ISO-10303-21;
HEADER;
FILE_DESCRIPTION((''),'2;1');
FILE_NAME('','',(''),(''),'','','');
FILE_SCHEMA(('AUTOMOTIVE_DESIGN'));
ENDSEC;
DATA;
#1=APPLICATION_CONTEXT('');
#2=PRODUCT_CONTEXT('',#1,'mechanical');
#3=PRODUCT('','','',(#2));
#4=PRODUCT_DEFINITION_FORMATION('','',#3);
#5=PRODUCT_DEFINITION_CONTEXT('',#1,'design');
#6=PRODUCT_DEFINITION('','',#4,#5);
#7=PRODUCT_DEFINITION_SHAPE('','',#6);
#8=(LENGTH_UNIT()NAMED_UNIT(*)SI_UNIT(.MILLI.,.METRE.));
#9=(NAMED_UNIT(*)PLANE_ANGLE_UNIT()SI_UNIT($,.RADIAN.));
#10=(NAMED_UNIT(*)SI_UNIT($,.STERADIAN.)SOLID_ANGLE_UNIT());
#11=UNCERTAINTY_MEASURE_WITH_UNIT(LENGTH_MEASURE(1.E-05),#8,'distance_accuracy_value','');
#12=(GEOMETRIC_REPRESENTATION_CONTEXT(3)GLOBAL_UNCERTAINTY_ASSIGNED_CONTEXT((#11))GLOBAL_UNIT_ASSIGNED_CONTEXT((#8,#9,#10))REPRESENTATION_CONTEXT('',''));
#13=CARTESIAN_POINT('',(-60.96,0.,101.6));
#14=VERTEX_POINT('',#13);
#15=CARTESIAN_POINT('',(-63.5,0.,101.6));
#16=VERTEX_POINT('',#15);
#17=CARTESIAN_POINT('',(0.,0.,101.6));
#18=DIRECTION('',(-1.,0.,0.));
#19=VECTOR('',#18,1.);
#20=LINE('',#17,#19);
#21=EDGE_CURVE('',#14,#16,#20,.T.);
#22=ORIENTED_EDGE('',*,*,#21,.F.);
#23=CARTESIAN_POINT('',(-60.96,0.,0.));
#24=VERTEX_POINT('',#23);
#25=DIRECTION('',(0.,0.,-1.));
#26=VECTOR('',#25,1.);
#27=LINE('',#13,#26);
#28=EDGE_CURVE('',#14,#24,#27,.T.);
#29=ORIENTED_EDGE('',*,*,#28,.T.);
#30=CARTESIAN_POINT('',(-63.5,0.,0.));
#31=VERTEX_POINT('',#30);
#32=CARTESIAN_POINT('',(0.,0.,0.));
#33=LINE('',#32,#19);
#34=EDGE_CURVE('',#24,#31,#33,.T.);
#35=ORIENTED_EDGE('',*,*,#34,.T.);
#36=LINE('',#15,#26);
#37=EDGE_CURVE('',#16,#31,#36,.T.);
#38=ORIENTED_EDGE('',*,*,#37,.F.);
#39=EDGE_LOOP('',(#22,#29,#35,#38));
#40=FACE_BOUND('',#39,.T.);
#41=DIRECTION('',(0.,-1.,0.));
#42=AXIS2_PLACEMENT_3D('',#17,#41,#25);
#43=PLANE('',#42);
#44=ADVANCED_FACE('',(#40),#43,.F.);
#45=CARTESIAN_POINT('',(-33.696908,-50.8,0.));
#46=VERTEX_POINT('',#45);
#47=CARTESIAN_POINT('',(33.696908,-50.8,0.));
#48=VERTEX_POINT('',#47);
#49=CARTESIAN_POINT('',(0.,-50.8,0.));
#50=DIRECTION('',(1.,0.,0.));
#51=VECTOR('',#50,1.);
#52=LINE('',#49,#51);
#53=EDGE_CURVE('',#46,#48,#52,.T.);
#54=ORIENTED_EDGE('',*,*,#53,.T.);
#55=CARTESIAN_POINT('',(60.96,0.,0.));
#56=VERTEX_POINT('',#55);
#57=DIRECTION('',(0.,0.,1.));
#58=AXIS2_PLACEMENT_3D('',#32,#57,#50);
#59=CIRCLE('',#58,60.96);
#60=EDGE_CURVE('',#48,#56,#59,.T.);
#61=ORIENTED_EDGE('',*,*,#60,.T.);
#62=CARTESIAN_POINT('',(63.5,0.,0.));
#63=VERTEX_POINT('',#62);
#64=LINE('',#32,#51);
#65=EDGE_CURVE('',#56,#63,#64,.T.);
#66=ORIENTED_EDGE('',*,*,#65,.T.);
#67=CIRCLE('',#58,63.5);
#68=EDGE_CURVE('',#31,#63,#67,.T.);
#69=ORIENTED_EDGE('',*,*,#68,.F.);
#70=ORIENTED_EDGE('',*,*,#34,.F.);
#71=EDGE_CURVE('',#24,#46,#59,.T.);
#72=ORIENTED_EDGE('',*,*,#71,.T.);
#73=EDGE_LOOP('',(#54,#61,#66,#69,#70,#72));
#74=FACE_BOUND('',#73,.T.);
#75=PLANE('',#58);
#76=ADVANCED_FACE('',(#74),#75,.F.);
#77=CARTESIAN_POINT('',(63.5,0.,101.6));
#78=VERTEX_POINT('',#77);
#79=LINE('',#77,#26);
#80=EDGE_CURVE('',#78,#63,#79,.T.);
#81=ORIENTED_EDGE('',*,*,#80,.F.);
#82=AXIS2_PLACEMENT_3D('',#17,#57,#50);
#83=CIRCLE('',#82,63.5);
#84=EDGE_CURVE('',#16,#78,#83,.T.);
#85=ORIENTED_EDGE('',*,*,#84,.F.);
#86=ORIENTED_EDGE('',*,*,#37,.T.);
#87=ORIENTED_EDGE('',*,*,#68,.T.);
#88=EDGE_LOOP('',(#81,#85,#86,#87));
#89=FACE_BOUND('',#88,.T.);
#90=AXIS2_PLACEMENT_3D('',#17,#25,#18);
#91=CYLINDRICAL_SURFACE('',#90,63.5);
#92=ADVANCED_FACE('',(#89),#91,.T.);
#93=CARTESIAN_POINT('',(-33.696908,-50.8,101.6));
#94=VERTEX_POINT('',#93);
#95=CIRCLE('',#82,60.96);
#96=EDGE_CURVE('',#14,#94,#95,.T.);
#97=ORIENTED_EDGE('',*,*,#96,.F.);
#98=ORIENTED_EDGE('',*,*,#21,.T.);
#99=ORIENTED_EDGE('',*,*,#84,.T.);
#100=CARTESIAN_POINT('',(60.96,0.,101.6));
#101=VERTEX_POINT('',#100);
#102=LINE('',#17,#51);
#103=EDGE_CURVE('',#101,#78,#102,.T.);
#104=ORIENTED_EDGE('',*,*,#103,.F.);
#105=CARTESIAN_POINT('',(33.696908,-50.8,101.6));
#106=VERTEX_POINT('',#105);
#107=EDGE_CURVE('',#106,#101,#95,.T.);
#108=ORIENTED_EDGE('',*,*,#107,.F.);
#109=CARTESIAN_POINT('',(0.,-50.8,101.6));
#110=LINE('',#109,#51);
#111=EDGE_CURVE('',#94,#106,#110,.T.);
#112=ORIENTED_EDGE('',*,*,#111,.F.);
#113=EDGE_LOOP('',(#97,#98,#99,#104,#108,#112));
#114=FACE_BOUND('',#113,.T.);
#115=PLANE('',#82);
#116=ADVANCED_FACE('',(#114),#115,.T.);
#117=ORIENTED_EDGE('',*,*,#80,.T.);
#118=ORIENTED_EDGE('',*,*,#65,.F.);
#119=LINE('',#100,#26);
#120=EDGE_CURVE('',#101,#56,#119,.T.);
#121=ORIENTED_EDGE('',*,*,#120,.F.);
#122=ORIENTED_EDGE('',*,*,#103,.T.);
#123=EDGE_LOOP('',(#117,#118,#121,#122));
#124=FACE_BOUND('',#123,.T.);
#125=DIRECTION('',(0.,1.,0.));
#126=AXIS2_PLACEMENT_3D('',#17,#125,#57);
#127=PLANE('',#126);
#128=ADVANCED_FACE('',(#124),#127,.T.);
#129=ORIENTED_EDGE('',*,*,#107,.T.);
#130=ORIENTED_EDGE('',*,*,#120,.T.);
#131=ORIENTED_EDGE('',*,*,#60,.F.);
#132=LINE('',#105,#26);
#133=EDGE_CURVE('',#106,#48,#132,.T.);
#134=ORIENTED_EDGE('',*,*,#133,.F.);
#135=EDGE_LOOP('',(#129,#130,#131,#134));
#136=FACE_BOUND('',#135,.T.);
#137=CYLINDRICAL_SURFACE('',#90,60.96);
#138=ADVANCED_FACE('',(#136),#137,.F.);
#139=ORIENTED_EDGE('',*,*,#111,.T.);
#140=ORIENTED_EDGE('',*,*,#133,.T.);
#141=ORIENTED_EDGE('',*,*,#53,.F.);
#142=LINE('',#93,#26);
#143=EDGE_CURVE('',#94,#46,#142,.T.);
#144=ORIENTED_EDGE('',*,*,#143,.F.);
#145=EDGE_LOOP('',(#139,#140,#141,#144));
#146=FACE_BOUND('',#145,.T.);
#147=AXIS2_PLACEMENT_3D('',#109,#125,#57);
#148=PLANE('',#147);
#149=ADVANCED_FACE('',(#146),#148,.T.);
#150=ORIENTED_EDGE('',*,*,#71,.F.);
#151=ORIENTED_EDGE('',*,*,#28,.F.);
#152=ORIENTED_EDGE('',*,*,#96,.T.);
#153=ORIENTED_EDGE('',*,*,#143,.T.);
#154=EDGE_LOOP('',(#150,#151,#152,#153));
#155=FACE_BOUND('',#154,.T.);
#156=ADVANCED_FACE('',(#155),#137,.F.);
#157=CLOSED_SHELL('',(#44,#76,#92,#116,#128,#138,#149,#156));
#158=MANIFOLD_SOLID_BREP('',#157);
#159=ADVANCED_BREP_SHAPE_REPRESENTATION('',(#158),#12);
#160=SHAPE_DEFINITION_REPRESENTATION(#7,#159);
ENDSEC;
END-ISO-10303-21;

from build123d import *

# Parameters (mm, degrees)
BOSS_EXTRUDE3_DEPTH = 101.6


with BuildPart() as part:
    # Sketch3 → Boss-Extrude3 (new body)
    with BuildSketch(Plane.XY):
        with BuildLine():
            Line((63.5, 0), (60.96, 0))
            ThreePointArc((60.96, 0), (53.713522989, -28.826707202), (33.69690787, -50.8))
            ThreePointArc((33.69690787, -50.8), (0, -60.96), (-33.69690787, -50.8))
            ThreePointArc((-33.69690787, -50.8), (-53.713522989, -28.826707202), (-60.96, 0))
            Line((-60.96, 0), (-63.5, 0))
            ThreePointArc((-63.5, 0), (0, -63.5), (63.5, 0))
        make_face()
        with BuildLine():
            ThreePointArc((-33.69690787, -50.8), (0, -60.96), (33.69690787, -50.8))
            Line((33.69690787, -50.8), (-33.69690787, -50.8))
        make_face()
    extrude(amount=BOSS_EXTRUDE3_DEPTH)


solid = part.part
